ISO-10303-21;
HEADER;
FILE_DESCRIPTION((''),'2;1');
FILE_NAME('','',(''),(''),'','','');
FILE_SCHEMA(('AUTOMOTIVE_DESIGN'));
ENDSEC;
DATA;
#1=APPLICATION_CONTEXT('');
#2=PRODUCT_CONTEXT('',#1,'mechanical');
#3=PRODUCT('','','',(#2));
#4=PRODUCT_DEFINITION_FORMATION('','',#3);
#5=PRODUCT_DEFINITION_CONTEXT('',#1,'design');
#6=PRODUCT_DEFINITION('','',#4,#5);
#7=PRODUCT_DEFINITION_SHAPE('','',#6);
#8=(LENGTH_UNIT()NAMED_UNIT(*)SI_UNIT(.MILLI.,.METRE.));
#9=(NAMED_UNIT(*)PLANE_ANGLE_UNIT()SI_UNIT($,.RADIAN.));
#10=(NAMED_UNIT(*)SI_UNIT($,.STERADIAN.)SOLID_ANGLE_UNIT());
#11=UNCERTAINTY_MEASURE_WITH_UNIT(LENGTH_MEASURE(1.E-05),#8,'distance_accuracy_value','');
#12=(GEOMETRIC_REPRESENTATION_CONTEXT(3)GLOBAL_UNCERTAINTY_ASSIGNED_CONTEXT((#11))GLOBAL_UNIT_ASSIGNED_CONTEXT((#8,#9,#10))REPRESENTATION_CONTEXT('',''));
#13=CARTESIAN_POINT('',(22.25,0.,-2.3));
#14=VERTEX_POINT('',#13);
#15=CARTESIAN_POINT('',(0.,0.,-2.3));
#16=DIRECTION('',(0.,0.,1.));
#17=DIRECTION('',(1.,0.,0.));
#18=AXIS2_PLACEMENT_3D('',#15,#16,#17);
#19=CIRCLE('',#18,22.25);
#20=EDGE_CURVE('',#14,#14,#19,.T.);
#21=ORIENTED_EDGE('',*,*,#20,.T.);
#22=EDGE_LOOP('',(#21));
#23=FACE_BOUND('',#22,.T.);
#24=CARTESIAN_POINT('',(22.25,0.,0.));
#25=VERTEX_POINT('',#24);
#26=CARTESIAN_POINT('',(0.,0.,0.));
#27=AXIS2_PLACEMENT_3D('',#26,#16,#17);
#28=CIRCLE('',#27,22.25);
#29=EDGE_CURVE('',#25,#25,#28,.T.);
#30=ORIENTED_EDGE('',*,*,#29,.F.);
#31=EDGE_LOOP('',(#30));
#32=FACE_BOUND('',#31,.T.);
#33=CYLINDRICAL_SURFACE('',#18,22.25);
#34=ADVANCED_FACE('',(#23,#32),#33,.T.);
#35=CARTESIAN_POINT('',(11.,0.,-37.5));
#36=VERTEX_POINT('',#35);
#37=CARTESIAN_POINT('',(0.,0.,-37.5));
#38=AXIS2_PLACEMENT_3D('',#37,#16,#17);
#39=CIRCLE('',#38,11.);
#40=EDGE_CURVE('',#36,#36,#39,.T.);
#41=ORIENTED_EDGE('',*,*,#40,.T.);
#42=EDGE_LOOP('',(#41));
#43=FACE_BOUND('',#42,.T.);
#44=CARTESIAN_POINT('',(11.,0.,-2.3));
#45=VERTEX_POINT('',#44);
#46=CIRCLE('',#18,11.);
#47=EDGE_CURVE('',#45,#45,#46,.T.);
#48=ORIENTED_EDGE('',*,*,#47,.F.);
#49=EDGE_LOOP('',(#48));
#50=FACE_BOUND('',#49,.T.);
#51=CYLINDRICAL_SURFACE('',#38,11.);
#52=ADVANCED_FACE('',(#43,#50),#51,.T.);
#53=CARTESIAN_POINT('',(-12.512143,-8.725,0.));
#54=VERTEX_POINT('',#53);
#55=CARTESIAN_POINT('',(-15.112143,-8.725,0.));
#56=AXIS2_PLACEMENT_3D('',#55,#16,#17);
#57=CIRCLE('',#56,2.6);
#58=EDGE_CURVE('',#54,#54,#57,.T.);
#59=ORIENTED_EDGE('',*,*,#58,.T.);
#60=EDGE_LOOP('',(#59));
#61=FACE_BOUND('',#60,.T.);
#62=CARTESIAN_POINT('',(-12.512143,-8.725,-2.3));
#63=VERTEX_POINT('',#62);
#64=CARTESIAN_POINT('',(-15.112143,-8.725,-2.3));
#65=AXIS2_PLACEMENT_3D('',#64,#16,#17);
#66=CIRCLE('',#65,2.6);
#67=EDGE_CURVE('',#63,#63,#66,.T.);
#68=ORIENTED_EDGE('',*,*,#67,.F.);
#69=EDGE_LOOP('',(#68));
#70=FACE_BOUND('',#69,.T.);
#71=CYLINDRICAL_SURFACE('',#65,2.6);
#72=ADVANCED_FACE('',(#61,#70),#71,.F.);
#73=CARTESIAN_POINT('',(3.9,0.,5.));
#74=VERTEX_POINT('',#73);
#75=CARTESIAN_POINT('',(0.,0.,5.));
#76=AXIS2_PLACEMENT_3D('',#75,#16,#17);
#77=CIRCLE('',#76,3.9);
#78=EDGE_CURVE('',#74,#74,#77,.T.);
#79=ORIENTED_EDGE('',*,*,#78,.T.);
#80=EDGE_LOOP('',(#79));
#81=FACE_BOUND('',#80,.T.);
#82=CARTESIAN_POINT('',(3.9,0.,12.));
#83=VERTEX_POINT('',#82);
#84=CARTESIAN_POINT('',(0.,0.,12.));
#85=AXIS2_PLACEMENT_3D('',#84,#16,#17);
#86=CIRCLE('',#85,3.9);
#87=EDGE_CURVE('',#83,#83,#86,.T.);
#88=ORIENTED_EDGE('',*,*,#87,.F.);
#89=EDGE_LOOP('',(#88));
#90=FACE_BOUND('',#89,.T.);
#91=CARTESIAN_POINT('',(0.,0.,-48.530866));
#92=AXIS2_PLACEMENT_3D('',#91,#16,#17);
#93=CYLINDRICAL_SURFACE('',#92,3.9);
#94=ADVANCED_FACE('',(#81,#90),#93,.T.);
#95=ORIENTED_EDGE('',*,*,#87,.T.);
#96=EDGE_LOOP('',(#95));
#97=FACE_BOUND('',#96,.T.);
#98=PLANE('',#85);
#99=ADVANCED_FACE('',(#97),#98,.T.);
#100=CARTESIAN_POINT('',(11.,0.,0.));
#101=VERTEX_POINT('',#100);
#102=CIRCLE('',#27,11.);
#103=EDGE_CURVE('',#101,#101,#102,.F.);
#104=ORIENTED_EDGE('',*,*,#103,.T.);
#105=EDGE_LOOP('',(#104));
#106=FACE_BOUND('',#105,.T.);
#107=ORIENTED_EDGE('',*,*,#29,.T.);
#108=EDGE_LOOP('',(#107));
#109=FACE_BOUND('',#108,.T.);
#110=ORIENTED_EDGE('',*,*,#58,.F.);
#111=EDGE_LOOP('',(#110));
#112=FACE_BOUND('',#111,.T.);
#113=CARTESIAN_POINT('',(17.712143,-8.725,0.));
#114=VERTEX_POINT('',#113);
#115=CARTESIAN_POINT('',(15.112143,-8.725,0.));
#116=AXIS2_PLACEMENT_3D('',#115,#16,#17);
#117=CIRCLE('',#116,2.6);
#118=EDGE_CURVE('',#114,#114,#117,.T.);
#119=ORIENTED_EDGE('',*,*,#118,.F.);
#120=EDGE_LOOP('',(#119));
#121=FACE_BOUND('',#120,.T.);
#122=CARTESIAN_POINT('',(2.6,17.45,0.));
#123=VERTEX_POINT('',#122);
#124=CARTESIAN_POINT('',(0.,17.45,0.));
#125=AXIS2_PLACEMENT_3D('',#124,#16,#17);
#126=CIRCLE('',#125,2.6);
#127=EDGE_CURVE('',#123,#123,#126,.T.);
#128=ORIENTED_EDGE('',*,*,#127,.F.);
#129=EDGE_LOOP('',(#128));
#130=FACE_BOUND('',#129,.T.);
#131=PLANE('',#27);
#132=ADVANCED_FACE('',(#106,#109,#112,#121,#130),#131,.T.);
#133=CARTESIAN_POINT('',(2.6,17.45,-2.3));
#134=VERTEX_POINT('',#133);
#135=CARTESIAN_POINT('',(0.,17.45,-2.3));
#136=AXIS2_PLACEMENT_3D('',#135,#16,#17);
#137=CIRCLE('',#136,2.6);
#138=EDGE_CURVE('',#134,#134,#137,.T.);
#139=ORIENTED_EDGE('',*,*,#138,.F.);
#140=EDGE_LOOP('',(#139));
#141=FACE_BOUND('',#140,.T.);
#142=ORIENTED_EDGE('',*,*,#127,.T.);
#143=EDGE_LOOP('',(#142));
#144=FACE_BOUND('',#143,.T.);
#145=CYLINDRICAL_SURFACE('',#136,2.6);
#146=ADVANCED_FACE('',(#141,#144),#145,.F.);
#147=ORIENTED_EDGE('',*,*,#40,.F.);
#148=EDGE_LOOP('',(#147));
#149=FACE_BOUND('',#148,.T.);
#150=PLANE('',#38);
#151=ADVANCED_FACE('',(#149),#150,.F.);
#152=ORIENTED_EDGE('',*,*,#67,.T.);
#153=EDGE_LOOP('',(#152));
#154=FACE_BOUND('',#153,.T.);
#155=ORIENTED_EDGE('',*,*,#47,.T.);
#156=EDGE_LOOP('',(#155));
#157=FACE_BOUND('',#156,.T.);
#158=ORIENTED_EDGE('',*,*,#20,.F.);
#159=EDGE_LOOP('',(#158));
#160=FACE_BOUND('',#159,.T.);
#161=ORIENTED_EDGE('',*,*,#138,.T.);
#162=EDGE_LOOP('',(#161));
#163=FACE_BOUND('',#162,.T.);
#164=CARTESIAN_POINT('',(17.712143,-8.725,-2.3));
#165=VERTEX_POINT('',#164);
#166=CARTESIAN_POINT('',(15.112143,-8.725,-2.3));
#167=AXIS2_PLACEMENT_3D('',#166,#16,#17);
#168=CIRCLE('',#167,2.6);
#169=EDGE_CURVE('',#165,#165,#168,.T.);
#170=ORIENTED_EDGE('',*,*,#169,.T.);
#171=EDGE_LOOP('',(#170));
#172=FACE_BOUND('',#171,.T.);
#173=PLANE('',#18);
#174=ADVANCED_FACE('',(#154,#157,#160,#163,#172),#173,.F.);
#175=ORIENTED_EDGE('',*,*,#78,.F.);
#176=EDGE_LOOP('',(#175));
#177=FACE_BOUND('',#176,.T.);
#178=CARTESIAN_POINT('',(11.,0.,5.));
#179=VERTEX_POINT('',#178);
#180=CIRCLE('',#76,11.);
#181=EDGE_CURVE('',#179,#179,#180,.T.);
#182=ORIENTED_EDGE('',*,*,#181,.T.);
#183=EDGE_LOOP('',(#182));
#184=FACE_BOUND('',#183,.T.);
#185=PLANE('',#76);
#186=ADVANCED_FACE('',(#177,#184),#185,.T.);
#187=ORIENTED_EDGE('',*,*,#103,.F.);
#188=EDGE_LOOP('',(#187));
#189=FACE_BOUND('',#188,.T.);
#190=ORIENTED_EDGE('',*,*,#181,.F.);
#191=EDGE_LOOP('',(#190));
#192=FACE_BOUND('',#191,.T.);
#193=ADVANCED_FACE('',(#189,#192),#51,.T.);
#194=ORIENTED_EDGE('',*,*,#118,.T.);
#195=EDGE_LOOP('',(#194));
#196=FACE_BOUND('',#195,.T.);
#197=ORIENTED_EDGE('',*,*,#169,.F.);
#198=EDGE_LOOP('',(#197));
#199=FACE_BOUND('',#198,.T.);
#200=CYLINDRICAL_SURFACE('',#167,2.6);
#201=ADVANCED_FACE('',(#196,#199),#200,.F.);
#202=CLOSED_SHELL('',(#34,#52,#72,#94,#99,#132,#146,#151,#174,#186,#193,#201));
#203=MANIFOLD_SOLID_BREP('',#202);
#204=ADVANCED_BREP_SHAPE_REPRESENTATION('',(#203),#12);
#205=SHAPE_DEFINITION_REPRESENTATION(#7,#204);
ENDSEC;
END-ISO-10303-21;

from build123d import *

# Parameters (mm, degrees)
BOSS_EXTRUDE1_DEPTH      = 5
BOSS_EXTRUDE1_DEPTH_BACK = 37.5
SKETCH1_R                = 11
SKETCH1_R_2              = 3.9
SKETCH1_3_R              = 22.25
SKETCH1_3_R_2            = 2.6
SKETCH1_3_R_3            = 11
BOSS_EXTRUDE2_DEPTH      = 2.3
BOSS_EXTRUDE4_DEPTH      = 12
BOSS_EXTRUDE4_DEPTH_BACK = 37.5
SKETCH1_4_R              = 3.9


with BuildPart() as part:
    # Sketch1 → Boss-Extrude1 (new, two sides: drawn at the far end of the back side and taken through both)
    with BuildSketch(Plane.XY.offset(-BOSS_EXTRUDE1_DEPTH_BACK)):
        Circle(SKETCH1_R)
        Circle(SKETCH1_R_2, mode=Mode.SUBTRACT)
    extrude(amount=BOSS_EXTRUDE1_DEPTH + BOSS_EXTRUDE1_DEPTH_BACK)

    # Sketch1<3> → Boss-Extrude2 (add)
    with BuildSketch(Plane.XY):
        Circle(SKETCH1_3_R)
        with Locations((-15.112143296, -8.725)):
            Circle(SKETCH1_3_R_2, mode=Mode.SUBTRACT)
        with Locations((15.112143296, -8.725)):
            Circle(SKETCH1_3_R_2, mode=Mode.SUBTRACT)
        with Locations((0, 17.45)):
            Circle(SKETCH1_3_R_2, mode=Mode.SUBTRACT)
        Circle(SKETCH1_3_R_3, mode=Mode.SUBTRACT)
    extrude(amount=-BOSS_EXTRUDE2_DEPTH)

    # Sketch1<4> → Boss-Extrude4 (add, two sides: drawn at the far end of the back side and taken through both)
    with BuildSketch(Plane.XY.offset(-BOSS_EXTRUDE4_DEPTH_BACK)):
        Circle(SKETCH1_4_R)
    extrude(amount=BOSS_EXTRUDE4_DEPTH + BOSS_EXTRUDE4_DEPTH_BACK)


solid = part.part
